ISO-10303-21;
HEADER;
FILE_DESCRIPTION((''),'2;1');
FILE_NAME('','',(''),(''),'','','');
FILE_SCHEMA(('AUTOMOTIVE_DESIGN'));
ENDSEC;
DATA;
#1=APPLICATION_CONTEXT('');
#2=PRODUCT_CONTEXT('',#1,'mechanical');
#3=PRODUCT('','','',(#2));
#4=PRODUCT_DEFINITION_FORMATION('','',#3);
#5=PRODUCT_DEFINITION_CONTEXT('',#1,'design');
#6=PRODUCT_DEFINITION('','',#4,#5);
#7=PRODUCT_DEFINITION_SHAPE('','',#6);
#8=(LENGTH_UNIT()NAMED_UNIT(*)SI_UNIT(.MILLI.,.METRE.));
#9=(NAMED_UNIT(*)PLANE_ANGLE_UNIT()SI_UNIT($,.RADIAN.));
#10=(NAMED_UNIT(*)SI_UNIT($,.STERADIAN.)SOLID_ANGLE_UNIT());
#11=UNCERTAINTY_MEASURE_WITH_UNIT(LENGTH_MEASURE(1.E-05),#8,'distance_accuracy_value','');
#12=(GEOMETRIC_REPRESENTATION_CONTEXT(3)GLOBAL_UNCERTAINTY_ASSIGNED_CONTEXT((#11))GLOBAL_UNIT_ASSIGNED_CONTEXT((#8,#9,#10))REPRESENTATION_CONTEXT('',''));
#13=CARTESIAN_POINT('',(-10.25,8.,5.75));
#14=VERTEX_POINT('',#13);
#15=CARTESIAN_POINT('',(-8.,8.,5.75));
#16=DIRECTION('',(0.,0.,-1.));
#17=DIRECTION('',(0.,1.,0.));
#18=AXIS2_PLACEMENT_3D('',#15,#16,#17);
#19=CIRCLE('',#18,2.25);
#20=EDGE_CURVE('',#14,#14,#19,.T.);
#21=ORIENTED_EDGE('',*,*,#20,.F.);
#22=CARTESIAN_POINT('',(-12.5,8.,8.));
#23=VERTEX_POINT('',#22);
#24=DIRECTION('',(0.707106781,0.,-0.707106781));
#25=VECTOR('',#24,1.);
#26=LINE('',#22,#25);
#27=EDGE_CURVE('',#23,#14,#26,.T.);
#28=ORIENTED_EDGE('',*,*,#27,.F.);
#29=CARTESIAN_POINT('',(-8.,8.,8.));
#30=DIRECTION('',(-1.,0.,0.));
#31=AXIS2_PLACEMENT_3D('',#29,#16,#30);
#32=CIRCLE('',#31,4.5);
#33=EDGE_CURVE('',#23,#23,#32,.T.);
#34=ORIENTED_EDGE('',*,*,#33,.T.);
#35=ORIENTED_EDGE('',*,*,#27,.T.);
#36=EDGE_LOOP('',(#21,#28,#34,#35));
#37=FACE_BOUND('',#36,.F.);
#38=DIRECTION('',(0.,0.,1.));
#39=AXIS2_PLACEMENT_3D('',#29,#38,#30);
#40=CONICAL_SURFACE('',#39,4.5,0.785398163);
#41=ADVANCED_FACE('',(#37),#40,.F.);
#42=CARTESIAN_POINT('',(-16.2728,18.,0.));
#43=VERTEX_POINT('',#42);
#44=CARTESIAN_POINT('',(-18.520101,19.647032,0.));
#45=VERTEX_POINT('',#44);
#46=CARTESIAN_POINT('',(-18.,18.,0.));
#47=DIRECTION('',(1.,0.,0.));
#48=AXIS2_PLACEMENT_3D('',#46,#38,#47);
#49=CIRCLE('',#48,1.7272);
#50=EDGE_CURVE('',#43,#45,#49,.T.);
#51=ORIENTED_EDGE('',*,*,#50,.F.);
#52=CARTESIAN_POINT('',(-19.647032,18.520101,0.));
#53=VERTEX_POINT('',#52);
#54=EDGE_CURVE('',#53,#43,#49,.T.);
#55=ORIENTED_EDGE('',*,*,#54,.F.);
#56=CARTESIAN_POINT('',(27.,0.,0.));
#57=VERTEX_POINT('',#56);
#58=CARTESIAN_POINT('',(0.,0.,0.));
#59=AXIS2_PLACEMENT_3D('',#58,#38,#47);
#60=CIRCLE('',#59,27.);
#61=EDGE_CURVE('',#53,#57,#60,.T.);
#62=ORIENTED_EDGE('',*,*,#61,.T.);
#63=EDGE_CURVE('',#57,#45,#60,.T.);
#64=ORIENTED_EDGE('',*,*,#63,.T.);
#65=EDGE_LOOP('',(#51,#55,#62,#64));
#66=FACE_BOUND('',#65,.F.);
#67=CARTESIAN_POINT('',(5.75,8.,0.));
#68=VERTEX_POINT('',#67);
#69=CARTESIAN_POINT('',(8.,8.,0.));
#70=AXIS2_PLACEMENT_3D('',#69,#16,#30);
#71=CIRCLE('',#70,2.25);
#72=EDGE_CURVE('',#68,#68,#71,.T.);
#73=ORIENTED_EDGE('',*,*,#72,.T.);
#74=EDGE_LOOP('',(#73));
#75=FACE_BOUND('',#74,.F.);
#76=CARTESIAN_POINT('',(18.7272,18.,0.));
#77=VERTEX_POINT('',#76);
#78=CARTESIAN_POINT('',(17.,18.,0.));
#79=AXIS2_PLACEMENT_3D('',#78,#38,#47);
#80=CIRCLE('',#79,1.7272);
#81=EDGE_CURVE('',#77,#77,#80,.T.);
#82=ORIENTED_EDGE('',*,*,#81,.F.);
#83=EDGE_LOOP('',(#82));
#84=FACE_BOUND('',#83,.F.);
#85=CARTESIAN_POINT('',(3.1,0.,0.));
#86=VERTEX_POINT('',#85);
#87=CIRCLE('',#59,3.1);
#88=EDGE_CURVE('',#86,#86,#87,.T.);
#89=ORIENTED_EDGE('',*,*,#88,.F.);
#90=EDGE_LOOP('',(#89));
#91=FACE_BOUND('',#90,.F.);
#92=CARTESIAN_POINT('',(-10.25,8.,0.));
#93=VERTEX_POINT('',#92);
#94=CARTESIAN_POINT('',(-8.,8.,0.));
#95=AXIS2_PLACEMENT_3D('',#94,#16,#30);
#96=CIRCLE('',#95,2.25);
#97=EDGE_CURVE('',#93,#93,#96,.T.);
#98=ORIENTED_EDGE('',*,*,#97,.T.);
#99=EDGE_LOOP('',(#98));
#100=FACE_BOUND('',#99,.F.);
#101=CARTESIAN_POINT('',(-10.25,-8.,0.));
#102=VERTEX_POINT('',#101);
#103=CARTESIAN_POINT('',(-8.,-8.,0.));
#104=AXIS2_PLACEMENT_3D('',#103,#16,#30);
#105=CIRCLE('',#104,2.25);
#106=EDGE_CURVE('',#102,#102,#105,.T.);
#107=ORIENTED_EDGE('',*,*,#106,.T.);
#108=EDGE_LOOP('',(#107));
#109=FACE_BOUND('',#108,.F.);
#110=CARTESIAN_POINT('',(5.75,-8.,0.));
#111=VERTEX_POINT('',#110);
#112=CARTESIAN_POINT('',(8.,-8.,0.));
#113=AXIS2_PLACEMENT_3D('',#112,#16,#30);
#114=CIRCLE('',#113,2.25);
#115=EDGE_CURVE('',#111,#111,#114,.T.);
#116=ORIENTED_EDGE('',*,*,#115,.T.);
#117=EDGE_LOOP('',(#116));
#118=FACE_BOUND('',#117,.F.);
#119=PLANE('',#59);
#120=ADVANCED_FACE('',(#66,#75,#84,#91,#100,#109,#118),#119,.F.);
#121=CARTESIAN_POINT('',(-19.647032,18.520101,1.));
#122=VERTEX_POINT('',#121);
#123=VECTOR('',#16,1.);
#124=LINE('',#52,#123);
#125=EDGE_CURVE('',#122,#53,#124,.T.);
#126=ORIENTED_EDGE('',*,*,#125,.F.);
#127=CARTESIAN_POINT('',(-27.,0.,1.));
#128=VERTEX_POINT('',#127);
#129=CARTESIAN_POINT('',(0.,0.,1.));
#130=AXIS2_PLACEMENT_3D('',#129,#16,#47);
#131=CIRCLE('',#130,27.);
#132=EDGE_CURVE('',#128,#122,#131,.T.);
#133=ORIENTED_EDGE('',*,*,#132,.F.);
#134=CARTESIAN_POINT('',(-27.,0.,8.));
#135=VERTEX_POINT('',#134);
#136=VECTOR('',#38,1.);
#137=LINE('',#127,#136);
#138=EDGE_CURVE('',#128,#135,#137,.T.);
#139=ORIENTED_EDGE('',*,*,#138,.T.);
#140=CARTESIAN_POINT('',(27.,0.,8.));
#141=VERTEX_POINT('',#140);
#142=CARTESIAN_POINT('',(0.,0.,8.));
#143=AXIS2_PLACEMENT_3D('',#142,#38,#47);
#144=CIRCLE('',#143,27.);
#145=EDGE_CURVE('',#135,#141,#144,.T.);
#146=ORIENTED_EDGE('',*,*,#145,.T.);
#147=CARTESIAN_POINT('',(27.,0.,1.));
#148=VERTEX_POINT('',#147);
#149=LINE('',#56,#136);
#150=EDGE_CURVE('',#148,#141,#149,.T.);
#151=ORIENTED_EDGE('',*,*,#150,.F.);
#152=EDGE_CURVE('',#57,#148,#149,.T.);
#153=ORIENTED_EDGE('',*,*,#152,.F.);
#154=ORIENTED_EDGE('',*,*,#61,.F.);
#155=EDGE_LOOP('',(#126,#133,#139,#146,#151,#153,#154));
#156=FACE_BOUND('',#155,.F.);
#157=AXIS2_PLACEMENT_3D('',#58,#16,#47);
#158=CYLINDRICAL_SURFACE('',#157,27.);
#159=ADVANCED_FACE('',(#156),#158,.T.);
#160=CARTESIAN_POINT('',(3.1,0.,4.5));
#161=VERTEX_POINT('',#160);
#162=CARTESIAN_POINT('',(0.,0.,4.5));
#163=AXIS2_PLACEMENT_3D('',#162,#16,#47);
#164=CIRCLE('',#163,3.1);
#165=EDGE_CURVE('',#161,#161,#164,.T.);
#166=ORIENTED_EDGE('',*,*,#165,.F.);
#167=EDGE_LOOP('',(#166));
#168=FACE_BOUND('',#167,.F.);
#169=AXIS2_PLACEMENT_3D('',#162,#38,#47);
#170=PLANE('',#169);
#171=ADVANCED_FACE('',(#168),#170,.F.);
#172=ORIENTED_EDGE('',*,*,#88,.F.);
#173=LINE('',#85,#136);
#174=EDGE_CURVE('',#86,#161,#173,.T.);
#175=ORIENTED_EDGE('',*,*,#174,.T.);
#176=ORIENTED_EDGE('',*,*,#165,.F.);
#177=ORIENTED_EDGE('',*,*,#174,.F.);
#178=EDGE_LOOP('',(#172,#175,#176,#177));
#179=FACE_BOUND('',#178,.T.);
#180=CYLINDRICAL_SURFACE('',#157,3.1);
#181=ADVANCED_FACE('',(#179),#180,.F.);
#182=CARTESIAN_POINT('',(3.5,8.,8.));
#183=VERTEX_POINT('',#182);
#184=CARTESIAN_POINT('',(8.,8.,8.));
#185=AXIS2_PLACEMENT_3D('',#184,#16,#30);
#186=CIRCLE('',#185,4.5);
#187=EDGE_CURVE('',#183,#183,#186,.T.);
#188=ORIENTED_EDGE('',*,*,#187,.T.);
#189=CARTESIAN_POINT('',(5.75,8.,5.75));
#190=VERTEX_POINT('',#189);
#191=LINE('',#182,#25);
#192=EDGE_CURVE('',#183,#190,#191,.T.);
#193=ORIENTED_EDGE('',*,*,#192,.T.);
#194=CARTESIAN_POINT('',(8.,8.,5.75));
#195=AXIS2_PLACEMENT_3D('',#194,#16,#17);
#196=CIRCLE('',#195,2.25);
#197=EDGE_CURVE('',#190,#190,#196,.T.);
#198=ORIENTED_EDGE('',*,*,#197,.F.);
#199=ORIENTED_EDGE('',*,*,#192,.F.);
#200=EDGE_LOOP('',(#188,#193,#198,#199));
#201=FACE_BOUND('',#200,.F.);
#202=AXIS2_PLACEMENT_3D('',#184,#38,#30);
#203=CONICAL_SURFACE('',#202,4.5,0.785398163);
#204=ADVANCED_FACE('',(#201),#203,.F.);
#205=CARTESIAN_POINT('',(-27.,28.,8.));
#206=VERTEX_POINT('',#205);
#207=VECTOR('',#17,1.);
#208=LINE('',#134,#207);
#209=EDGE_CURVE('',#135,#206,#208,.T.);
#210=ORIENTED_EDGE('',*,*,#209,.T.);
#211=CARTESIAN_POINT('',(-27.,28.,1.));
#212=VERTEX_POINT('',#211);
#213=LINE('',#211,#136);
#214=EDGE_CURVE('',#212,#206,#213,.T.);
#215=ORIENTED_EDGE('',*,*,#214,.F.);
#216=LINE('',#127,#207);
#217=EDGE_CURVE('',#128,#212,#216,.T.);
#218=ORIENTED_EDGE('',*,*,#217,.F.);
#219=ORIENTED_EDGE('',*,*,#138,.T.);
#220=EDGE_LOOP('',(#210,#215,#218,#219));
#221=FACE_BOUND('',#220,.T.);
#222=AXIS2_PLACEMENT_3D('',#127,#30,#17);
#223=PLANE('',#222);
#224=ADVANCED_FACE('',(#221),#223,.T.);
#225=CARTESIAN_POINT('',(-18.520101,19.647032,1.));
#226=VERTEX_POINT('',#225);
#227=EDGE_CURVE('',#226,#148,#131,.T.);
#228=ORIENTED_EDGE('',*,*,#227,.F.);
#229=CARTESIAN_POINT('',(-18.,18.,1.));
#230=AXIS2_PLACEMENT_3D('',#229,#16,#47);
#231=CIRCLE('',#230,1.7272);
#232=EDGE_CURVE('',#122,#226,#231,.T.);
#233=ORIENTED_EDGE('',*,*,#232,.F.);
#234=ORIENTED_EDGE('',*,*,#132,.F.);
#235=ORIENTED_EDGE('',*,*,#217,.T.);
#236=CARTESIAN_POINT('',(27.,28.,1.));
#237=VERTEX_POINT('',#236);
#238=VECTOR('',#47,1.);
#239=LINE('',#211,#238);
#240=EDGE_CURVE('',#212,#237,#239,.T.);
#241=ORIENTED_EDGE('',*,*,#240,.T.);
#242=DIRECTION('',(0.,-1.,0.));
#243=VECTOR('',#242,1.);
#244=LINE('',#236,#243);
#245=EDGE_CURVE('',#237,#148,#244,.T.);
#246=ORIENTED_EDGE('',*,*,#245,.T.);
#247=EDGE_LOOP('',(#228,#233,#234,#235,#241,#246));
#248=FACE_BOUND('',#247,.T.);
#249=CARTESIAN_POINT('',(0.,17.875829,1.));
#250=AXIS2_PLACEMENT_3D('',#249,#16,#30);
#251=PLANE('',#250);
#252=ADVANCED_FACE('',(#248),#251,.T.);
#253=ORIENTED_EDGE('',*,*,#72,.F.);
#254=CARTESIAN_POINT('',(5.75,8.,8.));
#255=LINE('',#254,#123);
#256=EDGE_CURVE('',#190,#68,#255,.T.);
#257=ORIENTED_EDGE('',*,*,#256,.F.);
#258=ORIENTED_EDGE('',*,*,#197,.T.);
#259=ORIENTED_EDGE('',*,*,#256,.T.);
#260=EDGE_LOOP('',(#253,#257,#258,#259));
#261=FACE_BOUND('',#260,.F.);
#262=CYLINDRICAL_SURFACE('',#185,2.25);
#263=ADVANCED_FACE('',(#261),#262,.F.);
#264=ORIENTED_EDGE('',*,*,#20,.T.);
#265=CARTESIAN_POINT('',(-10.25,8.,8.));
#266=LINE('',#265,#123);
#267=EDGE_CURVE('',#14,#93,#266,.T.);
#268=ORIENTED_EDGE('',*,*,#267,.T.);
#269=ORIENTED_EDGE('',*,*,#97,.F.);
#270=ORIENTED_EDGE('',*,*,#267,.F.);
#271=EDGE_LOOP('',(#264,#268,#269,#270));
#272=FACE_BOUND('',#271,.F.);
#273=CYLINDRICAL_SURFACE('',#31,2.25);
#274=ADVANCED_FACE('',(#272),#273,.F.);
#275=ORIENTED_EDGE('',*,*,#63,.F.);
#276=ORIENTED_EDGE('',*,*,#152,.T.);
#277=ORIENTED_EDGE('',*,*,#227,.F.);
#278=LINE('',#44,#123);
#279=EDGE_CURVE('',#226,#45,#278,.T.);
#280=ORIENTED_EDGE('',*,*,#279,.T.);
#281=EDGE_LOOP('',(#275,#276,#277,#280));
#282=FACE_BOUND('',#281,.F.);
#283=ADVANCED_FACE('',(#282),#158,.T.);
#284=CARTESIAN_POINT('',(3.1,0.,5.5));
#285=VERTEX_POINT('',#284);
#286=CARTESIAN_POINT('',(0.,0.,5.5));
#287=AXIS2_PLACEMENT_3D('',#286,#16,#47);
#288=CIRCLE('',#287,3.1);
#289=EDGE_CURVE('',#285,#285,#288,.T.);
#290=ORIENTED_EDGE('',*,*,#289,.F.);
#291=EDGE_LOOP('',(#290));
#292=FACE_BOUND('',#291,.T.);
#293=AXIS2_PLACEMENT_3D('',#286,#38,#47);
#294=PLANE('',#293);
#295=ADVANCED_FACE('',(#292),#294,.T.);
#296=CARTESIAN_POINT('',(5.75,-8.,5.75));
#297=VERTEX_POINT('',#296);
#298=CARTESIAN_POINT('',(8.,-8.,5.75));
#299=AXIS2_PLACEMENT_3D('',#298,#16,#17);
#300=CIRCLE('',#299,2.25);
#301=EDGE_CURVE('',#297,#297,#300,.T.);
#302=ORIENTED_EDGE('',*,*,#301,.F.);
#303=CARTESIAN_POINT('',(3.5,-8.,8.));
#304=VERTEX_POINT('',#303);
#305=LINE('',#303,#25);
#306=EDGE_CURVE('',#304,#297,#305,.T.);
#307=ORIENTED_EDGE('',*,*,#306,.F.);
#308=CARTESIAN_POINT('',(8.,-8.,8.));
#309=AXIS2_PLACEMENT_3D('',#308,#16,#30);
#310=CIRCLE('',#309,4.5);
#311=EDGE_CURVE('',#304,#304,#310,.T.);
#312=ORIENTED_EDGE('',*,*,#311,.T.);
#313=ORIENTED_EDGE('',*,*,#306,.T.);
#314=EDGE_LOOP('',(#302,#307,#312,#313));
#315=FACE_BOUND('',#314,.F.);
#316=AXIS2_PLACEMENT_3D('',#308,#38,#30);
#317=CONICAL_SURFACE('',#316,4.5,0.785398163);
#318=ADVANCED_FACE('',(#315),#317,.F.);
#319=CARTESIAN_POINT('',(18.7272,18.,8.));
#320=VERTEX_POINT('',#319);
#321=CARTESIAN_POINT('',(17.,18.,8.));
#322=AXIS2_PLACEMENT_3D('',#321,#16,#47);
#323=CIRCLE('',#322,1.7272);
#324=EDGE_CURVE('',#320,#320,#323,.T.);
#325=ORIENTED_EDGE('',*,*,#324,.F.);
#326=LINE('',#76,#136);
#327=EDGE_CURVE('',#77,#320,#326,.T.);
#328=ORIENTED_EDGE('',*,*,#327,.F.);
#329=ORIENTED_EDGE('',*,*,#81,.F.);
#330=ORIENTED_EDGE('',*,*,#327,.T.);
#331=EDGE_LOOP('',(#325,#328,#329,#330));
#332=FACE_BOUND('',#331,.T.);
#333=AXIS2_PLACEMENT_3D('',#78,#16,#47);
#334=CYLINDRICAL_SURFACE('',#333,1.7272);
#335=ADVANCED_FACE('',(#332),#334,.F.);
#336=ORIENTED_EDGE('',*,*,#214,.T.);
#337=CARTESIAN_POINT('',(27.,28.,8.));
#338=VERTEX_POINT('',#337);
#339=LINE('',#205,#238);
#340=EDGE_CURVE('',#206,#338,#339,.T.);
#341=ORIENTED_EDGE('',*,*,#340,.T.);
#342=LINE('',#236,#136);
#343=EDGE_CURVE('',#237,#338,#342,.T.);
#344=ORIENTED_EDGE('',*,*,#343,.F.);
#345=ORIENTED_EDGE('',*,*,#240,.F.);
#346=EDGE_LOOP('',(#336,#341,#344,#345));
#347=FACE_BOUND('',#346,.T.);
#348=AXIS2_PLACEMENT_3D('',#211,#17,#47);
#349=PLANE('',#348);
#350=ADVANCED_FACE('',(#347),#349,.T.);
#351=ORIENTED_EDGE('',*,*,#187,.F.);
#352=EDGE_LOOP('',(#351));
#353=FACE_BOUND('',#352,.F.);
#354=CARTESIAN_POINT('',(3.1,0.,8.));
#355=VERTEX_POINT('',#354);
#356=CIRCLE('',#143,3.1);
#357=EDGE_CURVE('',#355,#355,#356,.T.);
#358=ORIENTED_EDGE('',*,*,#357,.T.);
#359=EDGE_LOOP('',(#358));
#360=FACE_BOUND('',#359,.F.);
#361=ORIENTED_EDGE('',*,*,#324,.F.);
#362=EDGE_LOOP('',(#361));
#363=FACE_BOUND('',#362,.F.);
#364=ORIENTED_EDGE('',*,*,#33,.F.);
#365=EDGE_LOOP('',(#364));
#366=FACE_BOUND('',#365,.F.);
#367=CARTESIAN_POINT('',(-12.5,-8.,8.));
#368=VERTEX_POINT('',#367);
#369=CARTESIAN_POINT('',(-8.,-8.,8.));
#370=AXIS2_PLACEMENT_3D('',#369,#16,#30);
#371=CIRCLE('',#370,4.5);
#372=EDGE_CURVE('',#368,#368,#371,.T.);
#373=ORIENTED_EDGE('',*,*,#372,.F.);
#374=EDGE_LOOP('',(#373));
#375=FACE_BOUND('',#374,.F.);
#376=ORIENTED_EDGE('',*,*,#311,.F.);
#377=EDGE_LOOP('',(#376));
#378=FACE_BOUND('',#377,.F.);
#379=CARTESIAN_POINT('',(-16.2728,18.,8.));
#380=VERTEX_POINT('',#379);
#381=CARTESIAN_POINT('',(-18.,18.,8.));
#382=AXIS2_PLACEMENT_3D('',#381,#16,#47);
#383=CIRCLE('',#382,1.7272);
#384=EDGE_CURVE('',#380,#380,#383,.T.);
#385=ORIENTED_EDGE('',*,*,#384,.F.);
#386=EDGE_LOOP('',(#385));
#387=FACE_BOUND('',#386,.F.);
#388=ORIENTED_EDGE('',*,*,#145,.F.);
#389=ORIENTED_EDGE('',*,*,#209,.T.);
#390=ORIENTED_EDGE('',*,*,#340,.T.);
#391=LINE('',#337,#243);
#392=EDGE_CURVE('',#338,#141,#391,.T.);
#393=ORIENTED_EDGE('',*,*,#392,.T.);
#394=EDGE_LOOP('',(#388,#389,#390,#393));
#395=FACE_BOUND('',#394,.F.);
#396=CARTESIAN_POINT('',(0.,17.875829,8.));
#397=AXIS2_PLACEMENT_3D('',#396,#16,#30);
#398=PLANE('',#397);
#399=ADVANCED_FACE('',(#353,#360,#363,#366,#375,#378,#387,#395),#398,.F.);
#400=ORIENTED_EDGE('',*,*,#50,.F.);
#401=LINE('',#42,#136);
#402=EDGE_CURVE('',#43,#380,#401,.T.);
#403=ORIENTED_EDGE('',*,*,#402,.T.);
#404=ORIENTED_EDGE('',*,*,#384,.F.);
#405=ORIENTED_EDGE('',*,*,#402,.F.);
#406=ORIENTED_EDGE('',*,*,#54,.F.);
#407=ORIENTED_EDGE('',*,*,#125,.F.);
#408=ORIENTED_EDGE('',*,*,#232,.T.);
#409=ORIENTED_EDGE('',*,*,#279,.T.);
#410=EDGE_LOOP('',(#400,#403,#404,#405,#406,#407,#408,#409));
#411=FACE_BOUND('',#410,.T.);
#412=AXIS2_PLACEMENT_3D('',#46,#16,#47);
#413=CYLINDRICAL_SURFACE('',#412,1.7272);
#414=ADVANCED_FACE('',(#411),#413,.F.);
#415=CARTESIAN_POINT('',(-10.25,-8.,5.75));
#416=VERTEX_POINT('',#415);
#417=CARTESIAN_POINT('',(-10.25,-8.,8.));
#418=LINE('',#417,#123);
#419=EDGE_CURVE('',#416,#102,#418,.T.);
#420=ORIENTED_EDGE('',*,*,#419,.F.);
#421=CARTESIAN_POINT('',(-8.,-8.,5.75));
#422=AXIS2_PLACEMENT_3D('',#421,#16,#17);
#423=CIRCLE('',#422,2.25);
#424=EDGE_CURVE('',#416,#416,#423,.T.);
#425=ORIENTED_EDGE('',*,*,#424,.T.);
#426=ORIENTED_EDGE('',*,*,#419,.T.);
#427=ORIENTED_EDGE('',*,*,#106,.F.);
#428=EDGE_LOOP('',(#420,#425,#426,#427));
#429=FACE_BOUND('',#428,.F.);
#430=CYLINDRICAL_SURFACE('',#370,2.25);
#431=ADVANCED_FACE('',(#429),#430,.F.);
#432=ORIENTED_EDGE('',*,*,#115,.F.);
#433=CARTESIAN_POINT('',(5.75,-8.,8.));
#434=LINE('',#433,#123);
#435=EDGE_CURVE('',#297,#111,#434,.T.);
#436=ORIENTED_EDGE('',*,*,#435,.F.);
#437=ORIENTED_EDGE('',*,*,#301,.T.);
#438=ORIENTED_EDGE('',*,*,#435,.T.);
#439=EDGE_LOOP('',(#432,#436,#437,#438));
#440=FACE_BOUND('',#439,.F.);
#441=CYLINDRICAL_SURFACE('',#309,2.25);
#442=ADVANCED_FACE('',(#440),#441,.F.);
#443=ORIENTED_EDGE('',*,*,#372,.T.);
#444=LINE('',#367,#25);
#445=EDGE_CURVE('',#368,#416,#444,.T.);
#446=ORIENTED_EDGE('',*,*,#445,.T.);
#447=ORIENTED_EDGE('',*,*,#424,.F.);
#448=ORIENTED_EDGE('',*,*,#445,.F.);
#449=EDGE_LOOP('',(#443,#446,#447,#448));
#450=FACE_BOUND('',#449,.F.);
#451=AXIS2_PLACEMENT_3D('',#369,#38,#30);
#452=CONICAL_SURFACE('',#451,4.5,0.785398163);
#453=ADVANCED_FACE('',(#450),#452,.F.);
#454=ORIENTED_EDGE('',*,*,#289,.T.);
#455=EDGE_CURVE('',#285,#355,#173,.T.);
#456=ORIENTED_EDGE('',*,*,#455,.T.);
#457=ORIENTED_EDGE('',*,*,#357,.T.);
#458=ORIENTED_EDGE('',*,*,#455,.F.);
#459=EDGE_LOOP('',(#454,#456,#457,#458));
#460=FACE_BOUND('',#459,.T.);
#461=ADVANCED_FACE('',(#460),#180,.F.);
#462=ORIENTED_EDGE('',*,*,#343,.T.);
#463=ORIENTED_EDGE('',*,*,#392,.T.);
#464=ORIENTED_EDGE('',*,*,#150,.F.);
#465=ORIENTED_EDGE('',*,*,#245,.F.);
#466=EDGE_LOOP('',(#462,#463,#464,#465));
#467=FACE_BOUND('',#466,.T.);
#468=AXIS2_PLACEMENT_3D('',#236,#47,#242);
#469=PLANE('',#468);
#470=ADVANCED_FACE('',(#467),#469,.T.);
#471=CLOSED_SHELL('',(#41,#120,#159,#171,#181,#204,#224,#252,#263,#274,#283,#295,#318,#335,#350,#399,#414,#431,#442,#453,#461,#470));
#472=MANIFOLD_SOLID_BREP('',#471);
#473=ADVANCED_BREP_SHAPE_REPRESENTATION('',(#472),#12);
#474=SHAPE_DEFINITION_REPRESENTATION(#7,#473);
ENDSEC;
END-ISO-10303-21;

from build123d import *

# Parameters (mm, degrees)
SKETCH083_R         = 27
SKETCH083_R_2       = 3.1
PAD050_DEPTH        = 8
HOLE003_D           = 4.5
HOLE003_CSINK_D     = 9
HOLE003_CSINK_ANGLE = 90
SKETCH080_R         = 4
PAD051_DEPTH        = 1
PAD052_DEPTH        = 7
SKETCH081_R         = 1.7272
POCKET026_DEPTH     = 8.001


with BuildPart() as part:
    # Sketch083 → Pad050 (new body)
    with BuildSketch(Plane.XY):
        Circle(SKETCH083_R)
        Circle(SKETCH083_R_2, mode=Mode.SUBTRACT)
    extrude(amount=PAD050_DEPTH)

    # Hole003 (through all)
    with Locations(Plane.XY.offset(8)):
        with Locations((-8, 8), (8, 8), (8, -8), (-8, -8)):
            CounterSinkHole(HOLE003_D / 2, HOLE003_CSINK_D / 2, counter_sink_angle=HOLE003_CSINK_ANGLE)

    # Sketch080 → Pad051 (join)
    with BuildSketch(Plane.XY.offset(4.5)):
        Circle(SKETCH080_R)
    extrude(amount=PAD051_DEPTH)

    # Sketch085 → Pad052 (join)
    with BuildSketch(Plane.XY.offset(1)):
        with BuildLine():
            Line((-27, 0), (-27, 28))
            Line((-27, 28), (27, 28))
            Line((27, 28), (27, 0))
            Line((27, 0), (25, 0))
            ThreePointArc((25, 0), (0, 25), (-25, 0))
            Line((-25, 0), (-27, 0))
        make_face()
    extrude(amount=PAD052_DEPTH)

    # Sketch081 → Pocket026 (cut, through all)
    with BuildSketch(Plane.XY):
        with Locations((-18, 18)):
            Circle(SKETCH081_R)
        with Locations((17, 18)):
            Circle(SKETCH081_R)
    extrude(amount=POCKET026_DEPTH, mode=Mode.SUBTRACT)


solid = part.part
